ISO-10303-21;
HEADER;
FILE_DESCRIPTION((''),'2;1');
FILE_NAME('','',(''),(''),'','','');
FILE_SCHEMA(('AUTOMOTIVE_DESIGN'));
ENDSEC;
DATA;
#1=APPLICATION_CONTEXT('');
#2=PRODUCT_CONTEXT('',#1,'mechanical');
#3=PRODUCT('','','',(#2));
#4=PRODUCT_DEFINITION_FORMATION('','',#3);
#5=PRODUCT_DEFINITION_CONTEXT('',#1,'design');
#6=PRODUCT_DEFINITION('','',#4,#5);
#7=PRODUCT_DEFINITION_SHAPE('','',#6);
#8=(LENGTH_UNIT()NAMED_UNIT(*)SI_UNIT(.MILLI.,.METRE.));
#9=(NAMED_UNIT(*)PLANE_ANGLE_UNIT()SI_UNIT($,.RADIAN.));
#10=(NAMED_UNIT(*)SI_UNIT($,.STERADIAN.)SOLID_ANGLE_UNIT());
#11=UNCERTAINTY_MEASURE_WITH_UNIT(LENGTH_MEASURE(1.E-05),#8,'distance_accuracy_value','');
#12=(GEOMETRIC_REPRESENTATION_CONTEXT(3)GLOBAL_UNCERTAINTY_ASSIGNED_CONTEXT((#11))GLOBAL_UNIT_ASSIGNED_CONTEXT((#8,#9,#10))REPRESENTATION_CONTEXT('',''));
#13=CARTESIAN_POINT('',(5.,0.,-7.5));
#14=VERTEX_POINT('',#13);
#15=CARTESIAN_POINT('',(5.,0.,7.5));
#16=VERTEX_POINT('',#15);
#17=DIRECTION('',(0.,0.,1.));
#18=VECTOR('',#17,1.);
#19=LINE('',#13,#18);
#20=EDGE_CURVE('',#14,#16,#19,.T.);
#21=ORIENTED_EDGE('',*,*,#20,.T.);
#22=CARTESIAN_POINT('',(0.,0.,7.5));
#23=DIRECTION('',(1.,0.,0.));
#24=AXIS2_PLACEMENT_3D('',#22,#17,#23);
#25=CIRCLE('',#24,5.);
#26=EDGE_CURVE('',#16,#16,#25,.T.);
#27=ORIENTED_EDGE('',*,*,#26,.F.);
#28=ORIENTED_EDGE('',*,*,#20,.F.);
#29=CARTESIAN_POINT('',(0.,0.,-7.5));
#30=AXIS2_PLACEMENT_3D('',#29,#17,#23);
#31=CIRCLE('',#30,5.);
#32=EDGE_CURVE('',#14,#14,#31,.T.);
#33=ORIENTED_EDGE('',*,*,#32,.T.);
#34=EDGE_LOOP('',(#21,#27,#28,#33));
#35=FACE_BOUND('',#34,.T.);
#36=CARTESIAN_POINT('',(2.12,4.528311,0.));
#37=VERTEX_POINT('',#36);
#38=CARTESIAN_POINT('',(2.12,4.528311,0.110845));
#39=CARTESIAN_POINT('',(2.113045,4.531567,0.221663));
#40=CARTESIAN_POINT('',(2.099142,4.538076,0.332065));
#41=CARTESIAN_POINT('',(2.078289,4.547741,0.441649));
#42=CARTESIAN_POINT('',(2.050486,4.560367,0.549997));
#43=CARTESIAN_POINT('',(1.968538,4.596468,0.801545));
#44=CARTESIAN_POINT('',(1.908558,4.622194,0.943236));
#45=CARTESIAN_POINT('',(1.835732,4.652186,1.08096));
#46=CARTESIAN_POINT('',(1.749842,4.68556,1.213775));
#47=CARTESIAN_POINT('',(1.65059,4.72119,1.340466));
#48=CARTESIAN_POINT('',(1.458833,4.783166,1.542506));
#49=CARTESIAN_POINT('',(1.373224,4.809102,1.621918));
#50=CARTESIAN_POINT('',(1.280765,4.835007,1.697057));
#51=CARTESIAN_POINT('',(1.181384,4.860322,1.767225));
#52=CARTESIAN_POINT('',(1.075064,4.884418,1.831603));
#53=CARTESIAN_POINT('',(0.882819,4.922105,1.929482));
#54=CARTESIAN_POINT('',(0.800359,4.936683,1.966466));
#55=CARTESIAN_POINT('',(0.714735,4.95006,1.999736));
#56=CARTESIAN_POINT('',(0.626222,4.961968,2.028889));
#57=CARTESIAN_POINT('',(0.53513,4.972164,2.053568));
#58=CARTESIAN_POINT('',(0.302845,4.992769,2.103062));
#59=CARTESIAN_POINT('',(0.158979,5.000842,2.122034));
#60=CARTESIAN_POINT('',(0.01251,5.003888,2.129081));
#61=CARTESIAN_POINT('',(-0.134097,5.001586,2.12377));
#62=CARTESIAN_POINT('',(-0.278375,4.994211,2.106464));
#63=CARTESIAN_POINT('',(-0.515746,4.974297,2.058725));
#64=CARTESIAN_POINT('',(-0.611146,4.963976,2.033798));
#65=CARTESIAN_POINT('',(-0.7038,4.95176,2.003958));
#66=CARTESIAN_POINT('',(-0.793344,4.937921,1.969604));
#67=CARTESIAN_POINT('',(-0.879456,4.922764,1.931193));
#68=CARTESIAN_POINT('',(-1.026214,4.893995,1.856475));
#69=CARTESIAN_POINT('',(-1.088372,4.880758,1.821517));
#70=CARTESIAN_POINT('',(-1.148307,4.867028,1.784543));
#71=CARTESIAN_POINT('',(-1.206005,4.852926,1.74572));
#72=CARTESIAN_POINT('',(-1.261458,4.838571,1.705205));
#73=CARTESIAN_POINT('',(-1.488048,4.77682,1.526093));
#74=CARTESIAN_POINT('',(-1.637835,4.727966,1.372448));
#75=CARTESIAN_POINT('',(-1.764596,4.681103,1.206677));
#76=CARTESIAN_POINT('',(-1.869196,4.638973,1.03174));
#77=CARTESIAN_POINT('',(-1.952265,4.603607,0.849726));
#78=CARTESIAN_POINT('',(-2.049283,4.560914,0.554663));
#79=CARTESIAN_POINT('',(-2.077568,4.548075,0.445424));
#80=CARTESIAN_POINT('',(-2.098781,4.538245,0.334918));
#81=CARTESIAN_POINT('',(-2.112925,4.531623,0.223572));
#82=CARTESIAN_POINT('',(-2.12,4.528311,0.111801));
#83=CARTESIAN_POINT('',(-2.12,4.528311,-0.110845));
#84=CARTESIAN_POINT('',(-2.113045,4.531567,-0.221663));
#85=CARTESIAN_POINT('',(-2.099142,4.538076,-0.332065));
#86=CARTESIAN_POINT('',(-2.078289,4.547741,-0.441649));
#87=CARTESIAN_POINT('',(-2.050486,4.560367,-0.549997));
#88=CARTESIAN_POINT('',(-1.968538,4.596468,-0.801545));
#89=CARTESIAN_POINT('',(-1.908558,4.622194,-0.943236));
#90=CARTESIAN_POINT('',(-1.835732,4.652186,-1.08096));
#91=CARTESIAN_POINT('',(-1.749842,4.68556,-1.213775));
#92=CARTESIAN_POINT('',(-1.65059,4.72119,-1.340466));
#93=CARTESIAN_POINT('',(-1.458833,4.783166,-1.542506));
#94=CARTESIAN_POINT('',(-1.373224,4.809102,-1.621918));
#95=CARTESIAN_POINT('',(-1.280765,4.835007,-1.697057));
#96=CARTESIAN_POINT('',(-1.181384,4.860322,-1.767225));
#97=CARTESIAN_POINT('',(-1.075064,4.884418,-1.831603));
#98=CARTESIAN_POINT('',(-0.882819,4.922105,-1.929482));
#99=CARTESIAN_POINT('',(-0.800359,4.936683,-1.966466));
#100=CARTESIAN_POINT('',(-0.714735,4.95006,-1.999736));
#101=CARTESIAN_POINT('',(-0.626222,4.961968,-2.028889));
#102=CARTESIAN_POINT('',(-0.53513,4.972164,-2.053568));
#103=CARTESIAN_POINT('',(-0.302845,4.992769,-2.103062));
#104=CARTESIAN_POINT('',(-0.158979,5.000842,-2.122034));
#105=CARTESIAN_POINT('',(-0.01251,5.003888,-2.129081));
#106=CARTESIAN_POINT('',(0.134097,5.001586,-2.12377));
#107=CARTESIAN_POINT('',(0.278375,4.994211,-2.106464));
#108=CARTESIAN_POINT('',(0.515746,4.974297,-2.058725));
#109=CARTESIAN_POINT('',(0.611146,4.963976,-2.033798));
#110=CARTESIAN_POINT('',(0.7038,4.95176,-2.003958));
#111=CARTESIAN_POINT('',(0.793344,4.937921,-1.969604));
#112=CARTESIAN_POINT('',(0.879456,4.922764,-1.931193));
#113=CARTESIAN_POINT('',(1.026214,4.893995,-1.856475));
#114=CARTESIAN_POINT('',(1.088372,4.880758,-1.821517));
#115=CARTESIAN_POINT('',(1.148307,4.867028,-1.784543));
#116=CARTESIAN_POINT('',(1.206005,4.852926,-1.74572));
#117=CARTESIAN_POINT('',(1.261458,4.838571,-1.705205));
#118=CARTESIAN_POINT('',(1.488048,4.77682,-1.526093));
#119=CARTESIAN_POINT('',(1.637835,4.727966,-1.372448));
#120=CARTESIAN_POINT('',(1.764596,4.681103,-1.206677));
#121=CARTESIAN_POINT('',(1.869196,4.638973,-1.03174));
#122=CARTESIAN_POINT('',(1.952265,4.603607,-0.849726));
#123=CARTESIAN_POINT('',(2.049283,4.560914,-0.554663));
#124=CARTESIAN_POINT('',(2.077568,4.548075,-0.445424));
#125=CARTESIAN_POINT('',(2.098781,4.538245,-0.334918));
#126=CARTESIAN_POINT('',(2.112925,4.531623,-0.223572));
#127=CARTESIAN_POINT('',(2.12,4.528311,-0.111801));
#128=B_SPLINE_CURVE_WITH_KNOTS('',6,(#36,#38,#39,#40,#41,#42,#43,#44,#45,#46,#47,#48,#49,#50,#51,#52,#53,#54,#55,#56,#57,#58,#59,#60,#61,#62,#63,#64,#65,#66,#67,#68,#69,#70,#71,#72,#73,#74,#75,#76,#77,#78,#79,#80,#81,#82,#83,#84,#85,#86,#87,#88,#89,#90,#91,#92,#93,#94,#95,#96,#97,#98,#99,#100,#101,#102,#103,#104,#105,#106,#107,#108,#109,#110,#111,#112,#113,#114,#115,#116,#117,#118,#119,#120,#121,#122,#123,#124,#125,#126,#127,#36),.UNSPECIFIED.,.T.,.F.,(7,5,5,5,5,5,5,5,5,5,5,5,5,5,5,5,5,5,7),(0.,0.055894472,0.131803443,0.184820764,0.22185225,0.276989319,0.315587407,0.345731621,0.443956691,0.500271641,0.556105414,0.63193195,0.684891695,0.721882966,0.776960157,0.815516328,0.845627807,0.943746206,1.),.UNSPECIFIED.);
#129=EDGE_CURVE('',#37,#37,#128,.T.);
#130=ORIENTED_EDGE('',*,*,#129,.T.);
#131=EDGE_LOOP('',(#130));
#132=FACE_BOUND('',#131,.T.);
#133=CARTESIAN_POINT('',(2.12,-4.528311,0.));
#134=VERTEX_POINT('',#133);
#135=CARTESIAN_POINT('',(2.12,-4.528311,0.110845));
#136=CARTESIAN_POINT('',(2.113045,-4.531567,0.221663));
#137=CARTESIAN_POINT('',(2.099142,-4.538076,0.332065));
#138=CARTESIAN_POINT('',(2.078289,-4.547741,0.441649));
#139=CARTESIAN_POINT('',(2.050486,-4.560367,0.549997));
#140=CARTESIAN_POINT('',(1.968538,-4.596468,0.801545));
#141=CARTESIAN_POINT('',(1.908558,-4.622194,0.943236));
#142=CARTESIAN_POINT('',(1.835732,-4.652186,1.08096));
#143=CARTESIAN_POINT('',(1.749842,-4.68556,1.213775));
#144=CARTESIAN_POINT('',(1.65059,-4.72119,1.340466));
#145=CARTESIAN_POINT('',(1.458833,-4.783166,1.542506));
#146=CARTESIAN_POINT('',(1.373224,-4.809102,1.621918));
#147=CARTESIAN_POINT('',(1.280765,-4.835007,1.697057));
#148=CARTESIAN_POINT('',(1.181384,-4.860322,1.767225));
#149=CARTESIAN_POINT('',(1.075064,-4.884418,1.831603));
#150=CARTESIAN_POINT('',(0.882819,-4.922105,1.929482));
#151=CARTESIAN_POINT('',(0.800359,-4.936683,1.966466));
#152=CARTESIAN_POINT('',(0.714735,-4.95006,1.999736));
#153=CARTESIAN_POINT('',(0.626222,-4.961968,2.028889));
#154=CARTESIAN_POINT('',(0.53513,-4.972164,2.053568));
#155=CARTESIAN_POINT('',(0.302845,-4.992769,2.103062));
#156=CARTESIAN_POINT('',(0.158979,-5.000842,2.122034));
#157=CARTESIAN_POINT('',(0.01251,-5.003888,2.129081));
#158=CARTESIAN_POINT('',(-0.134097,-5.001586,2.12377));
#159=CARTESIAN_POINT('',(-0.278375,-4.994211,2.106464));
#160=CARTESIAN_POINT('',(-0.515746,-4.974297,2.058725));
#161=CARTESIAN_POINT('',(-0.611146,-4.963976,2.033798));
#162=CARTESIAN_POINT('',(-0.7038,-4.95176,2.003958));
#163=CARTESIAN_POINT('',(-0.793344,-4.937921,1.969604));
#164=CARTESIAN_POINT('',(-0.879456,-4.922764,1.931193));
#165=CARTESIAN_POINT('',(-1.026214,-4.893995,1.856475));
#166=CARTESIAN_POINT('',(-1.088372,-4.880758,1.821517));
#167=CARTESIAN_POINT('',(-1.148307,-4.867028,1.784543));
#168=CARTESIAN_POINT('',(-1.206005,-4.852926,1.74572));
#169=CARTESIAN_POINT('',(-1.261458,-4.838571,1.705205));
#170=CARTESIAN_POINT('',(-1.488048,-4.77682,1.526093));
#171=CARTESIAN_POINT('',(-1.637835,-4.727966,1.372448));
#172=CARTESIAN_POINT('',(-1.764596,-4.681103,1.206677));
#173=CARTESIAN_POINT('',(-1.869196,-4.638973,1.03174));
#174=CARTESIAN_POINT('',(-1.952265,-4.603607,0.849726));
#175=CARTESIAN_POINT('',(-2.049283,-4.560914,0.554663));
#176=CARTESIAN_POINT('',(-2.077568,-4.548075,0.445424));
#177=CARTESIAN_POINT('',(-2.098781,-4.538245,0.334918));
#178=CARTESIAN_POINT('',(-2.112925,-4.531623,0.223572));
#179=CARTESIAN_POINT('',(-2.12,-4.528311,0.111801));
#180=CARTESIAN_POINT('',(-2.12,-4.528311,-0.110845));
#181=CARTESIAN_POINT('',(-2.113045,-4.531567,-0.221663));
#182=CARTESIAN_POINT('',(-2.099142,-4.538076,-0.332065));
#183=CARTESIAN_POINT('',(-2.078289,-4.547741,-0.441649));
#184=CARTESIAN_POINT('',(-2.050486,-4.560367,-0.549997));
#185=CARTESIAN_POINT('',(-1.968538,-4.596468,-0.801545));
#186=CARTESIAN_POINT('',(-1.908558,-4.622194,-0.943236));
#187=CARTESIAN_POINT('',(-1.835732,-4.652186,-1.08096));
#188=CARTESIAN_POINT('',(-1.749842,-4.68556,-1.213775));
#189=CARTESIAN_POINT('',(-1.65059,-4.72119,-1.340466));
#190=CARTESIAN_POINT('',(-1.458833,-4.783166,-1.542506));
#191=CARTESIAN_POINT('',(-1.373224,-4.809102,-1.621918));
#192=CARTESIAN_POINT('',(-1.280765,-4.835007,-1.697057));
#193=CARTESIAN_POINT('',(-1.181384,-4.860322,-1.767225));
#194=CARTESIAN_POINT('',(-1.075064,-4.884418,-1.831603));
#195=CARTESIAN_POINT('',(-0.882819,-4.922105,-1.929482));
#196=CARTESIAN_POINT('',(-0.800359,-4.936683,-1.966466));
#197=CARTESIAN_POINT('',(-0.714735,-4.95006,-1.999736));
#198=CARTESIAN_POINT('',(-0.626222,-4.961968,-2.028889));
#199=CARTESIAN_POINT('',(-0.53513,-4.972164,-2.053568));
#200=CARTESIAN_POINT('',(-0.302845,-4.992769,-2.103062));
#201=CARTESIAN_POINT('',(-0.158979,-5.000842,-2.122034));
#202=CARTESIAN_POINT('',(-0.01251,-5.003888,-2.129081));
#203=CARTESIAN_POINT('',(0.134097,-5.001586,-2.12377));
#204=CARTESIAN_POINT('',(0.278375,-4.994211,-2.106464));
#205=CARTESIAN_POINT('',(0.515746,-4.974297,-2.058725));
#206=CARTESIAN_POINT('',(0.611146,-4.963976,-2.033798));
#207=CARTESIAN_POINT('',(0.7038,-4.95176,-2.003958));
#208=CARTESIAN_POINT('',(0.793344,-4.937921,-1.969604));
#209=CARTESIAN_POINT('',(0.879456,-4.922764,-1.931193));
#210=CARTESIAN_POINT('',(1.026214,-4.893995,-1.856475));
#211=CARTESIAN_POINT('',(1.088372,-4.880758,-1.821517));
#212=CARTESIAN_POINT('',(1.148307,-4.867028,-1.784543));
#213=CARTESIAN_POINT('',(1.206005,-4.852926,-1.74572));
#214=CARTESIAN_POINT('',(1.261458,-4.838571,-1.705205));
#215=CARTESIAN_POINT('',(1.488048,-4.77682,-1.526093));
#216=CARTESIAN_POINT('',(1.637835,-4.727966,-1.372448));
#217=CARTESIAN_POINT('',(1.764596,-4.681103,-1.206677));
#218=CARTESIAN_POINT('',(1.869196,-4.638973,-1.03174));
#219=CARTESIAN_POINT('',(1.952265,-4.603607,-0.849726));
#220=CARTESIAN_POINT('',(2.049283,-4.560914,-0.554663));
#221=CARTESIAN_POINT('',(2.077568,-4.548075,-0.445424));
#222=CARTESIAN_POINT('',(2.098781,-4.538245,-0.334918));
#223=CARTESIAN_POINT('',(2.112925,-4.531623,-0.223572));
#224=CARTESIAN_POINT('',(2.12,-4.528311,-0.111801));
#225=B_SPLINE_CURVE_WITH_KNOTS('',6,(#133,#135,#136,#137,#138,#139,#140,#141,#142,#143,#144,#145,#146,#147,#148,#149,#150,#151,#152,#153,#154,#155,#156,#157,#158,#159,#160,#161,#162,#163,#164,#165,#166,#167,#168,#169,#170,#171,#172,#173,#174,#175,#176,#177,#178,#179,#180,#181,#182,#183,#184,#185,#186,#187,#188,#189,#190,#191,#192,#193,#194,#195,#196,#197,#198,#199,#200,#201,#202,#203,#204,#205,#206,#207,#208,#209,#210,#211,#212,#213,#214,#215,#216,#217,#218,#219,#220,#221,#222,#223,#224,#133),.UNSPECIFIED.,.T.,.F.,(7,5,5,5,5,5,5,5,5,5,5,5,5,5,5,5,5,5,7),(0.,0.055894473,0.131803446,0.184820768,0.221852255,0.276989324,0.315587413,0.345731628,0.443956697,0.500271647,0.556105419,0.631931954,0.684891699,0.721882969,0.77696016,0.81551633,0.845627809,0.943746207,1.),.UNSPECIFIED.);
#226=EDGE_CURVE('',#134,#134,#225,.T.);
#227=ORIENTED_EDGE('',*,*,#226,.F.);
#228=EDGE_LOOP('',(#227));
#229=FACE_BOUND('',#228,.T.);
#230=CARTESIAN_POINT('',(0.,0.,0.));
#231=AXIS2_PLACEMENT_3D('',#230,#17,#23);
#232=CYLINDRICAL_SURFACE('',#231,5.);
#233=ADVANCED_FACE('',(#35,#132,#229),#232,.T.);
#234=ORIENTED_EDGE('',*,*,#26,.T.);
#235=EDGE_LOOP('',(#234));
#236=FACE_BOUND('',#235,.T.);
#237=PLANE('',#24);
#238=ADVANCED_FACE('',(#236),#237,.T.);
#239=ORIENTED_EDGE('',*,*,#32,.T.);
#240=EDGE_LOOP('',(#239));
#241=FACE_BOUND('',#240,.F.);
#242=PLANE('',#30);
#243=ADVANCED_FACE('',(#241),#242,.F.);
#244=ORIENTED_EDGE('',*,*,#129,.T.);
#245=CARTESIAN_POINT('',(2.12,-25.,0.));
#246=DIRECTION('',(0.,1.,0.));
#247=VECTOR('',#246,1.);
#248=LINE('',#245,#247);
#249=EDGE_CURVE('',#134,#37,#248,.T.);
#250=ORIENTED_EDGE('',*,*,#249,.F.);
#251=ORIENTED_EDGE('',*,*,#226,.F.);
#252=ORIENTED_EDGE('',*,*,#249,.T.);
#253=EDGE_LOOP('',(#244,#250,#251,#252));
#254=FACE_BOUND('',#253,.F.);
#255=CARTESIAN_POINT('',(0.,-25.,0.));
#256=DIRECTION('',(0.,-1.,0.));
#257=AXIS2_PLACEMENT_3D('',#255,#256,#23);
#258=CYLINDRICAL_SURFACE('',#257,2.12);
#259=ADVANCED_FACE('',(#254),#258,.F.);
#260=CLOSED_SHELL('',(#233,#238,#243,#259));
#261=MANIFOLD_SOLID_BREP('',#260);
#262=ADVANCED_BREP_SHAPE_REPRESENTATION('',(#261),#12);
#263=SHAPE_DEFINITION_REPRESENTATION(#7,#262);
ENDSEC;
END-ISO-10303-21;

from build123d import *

# Parameters (mm, degrees)
F0_R     = 5
F1_DEPTH = 7.5
F4_R     = 2.12
F3_DEPTH = 30.001


with BuildPart() as f1:
    # F0 (on Top) → F1 (new body, symmetric)
    with BuildSketch(Plane.XY):
        Circle(F0_R)
    extrude(amount=F1_DEPTH, both=True)

    # F4 (on offset) → F3 (cut, through all)
    with BuildSketch(Plane.XZ.offset(25)):
        Circle(F4_R)
    extrude(amount=-F3_DEPTH, mode=Mode.SUBTRACT)


solid = f1.part
